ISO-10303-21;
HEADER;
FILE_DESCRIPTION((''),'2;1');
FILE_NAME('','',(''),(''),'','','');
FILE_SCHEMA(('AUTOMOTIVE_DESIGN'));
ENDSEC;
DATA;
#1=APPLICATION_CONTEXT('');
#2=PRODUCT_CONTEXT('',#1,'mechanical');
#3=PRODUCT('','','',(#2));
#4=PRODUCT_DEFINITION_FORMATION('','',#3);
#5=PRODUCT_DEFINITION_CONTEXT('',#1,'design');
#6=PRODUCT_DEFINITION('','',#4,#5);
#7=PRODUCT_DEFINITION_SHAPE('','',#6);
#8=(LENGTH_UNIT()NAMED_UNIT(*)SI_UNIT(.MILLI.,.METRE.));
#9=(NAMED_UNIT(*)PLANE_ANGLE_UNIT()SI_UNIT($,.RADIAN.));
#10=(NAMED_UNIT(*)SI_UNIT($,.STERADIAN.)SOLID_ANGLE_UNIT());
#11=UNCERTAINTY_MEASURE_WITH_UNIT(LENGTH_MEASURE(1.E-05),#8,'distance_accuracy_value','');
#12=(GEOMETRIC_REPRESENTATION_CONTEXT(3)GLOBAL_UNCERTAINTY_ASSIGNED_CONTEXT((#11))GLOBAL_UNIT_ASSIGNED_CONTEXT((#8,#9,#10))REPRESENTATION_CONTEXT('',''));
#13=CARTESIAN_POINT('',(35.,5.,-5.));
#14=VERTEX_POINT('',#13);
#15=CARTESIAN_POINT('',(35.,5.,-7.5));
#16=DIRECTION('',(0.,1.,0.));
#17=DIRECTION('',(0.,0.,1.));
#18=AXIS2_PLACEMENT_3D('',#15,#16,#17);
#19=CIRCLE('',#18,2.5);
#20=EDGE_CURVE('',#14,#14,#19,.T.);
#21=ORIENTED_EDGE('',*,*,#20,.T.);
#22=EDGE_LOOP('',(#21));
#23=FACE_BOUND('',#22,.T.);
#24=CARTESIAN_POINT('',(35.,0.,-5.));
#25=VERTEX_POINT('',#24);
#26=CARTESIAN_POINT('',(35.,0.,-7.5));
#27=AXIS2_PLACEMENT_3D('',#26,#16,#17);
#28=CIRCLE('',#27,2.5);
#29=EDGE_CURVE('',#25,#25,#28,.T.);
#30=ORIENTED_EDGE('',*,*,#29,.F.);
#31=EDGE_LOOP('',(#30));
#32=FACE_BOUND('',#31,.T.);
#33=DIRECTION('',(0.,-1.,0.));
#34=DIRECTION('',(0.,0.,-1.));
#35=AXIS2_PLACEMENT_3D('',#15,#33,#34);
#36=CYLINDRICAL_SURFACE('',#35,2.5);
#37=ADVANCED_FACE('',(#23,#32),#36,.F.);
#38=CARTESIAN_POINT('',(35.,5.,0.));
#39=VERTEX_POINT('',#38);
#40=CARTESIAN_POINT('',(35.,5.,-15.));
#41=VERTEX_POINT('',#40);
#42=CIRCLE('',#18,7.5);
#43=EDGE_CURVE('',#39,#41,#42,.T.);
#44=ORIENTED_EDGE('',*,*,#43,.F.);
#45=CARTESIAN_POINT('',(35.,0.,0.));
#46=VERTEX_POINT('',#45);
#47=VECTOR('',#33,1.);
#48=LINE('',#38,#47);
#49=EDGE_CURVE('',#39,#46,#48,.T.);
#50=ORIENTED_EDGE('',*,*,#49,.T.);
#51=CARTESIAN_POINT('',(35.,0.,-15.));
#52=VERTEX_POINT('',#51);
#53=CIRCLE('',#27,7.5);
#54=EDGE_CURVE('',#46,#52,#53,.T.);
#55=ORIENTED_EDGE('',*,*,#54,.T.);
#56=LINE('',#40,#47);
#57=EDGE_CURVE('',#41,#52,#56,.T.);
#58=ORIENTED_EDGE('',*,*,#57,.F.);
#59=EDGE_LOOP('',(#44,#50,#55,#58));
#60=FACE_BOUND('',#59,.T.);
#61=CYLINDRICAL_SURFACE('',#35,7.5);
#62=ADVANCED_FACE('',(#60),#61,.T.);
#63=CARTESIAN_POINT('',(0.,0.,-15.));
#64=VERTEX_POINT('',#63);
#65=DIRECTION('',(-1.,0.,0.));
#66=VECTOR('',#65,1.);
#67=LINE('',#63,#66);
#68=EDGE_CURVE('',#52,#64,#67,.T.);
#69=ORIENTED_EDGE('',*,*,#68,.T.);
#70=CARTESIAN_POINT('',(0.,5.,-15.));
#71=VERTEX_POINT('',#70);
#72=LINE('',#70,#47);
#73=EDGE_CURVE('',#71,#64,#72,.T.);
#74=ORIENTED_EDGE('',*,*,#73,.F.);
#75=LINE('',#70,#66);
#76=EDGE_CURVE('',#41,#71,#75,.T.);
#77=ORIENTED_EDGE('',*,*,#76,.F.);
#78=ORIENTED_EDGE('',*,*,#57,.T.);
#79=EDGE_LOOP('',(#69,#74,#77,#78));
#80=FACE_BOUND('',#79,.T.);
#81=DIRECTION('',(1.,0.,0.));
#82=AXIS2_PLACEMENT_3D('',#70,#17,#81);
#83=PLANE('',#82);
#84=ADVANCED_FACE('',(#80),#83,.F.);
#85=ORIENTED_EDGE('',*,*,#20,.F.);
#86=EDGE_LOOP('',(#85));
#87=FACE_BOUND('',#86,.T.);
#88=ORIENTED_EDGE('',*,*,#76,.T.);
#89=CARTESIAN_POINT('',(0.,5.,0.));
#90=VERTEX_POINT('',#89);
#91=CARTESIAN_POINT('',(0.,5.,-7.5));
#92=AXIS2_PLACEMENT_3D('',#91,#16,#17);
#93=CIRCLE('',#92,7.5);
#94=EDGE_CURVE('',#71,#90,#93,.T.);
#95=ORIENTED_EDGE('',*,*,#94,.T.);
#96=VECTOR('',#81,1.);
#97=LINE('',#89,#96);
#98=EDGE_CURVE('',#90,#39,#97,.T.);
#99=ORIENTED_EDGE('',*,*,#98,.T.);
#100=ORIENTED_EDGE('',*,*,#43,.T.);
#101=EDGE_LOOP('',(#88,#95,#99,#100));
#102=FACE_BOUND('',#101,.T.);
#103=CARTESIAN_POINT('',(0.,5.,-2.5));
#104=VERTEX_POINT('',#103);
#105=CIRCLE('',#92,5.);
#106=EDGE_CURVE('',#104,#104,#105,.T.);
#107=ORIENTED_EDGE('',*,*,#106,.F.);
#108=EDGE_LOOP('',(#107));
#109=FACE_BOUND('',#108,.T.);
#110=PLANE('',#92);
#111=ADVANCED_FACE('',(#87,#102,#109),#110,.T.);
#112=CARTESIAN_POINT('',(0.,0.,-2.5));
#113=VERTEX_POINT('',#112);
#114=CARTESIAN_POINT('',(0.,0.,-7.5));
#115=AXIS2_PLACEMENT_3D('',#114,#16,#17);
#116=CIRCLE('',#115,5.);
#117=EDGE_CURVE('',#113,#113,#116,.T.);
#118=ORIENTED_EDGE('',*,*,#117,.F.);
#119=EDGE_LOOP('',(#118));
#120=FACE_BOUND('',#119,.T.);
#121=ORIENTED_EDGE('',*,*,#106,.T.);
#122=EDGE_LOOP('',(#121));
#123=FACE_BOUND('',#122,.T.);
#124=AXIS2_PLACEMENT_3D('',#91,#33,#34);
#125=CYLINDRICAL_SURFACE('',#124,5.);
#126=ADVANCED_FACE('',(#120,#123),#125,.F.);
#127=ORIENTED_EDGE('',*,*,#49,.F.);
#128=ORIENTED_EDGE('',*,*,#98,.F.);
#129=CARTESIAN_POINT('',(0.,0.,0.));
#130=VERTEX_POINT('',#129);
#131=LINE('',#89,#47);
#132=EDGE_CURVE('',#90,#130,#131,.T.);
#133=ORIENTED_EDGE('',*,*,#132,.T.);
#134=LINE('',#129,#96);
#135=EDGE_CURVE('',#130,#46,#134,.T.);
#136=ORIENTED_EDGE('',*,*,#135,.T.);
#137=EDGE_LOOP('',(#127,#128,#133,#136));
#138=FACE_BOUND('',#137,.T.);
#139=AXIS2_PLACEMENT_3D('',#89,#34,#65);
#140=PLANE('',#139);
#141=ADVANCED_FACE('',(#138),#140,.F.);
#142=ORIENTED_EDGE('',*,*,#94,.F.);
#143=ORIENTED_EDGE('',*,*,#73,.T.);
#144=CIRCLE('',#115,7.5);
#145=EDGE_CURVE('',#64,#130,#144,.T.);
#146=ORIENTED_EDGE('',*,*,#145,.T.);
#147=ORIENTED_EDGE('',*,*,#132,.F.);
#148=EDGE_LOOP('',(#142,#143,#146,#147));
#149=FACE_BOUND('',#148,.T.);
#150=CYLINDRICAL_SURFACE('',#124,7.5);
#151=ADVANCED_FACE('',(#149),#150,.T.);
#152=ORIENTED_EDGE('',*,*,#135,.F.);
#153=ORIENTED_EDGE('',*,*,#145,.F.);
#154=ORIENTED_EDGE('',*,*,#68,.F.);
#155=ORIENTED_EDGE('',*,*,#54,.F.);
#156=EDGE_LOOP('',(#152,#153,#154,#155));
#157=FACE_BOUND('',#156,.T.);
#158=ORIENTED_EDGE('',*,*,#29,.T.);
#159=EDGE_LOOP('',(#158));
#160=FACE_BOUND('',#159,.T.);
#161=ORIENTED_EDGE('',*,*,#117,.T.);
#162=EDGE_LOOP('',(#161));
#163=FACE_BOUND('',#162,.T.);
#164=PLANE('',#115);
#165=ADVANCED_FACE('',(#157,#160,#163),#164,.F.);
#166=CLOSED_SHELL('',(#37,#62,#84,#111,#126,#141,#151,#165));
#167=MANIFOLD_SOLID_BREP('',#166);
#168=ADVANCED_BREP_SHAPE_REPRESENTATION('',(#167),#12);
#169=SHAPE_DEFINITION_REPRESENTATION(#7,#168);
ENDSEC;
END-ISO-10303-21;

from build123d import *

# Parameters (mm, degrees)
SKETCH1_R           = 2.5
SKETCH1_R_2         = 5
BOSS_EXTRUDE1_DEPTH = 5


with BuildPart() as part:
    # Sketch1 → Boss-Extrude1 (new body)
    with BuildSketch(Plane(origin=(0, 0, 0), x_dir=(1, 0, 0), z_dir=(0, 1, 0))):
        with BuildLine():
            Line((0, 0), (35, 0))
            ThreePointArc((35, 0), (42.5, 7.5), (35, 15))
            Line((35, 15), (0, 15))
            ThreePointArc((0, 15), (-7.5, 7.5), (0, 0))
        make_face()
        with Locations(Location((35, 7.5, 0), (0, 0, 270))):
            Circle(SKETCH1_R, mode=Mode.SUBTRACT)
        with Locations(Location((0, 7.5, 0), (0, 0, 270))):
            Circle(SKETCH1_R_2, mode=Mode.SUBTRACT)
    extrude(amount=BOSS_EXTRUDE1_DEPTH)


solid = part.part
